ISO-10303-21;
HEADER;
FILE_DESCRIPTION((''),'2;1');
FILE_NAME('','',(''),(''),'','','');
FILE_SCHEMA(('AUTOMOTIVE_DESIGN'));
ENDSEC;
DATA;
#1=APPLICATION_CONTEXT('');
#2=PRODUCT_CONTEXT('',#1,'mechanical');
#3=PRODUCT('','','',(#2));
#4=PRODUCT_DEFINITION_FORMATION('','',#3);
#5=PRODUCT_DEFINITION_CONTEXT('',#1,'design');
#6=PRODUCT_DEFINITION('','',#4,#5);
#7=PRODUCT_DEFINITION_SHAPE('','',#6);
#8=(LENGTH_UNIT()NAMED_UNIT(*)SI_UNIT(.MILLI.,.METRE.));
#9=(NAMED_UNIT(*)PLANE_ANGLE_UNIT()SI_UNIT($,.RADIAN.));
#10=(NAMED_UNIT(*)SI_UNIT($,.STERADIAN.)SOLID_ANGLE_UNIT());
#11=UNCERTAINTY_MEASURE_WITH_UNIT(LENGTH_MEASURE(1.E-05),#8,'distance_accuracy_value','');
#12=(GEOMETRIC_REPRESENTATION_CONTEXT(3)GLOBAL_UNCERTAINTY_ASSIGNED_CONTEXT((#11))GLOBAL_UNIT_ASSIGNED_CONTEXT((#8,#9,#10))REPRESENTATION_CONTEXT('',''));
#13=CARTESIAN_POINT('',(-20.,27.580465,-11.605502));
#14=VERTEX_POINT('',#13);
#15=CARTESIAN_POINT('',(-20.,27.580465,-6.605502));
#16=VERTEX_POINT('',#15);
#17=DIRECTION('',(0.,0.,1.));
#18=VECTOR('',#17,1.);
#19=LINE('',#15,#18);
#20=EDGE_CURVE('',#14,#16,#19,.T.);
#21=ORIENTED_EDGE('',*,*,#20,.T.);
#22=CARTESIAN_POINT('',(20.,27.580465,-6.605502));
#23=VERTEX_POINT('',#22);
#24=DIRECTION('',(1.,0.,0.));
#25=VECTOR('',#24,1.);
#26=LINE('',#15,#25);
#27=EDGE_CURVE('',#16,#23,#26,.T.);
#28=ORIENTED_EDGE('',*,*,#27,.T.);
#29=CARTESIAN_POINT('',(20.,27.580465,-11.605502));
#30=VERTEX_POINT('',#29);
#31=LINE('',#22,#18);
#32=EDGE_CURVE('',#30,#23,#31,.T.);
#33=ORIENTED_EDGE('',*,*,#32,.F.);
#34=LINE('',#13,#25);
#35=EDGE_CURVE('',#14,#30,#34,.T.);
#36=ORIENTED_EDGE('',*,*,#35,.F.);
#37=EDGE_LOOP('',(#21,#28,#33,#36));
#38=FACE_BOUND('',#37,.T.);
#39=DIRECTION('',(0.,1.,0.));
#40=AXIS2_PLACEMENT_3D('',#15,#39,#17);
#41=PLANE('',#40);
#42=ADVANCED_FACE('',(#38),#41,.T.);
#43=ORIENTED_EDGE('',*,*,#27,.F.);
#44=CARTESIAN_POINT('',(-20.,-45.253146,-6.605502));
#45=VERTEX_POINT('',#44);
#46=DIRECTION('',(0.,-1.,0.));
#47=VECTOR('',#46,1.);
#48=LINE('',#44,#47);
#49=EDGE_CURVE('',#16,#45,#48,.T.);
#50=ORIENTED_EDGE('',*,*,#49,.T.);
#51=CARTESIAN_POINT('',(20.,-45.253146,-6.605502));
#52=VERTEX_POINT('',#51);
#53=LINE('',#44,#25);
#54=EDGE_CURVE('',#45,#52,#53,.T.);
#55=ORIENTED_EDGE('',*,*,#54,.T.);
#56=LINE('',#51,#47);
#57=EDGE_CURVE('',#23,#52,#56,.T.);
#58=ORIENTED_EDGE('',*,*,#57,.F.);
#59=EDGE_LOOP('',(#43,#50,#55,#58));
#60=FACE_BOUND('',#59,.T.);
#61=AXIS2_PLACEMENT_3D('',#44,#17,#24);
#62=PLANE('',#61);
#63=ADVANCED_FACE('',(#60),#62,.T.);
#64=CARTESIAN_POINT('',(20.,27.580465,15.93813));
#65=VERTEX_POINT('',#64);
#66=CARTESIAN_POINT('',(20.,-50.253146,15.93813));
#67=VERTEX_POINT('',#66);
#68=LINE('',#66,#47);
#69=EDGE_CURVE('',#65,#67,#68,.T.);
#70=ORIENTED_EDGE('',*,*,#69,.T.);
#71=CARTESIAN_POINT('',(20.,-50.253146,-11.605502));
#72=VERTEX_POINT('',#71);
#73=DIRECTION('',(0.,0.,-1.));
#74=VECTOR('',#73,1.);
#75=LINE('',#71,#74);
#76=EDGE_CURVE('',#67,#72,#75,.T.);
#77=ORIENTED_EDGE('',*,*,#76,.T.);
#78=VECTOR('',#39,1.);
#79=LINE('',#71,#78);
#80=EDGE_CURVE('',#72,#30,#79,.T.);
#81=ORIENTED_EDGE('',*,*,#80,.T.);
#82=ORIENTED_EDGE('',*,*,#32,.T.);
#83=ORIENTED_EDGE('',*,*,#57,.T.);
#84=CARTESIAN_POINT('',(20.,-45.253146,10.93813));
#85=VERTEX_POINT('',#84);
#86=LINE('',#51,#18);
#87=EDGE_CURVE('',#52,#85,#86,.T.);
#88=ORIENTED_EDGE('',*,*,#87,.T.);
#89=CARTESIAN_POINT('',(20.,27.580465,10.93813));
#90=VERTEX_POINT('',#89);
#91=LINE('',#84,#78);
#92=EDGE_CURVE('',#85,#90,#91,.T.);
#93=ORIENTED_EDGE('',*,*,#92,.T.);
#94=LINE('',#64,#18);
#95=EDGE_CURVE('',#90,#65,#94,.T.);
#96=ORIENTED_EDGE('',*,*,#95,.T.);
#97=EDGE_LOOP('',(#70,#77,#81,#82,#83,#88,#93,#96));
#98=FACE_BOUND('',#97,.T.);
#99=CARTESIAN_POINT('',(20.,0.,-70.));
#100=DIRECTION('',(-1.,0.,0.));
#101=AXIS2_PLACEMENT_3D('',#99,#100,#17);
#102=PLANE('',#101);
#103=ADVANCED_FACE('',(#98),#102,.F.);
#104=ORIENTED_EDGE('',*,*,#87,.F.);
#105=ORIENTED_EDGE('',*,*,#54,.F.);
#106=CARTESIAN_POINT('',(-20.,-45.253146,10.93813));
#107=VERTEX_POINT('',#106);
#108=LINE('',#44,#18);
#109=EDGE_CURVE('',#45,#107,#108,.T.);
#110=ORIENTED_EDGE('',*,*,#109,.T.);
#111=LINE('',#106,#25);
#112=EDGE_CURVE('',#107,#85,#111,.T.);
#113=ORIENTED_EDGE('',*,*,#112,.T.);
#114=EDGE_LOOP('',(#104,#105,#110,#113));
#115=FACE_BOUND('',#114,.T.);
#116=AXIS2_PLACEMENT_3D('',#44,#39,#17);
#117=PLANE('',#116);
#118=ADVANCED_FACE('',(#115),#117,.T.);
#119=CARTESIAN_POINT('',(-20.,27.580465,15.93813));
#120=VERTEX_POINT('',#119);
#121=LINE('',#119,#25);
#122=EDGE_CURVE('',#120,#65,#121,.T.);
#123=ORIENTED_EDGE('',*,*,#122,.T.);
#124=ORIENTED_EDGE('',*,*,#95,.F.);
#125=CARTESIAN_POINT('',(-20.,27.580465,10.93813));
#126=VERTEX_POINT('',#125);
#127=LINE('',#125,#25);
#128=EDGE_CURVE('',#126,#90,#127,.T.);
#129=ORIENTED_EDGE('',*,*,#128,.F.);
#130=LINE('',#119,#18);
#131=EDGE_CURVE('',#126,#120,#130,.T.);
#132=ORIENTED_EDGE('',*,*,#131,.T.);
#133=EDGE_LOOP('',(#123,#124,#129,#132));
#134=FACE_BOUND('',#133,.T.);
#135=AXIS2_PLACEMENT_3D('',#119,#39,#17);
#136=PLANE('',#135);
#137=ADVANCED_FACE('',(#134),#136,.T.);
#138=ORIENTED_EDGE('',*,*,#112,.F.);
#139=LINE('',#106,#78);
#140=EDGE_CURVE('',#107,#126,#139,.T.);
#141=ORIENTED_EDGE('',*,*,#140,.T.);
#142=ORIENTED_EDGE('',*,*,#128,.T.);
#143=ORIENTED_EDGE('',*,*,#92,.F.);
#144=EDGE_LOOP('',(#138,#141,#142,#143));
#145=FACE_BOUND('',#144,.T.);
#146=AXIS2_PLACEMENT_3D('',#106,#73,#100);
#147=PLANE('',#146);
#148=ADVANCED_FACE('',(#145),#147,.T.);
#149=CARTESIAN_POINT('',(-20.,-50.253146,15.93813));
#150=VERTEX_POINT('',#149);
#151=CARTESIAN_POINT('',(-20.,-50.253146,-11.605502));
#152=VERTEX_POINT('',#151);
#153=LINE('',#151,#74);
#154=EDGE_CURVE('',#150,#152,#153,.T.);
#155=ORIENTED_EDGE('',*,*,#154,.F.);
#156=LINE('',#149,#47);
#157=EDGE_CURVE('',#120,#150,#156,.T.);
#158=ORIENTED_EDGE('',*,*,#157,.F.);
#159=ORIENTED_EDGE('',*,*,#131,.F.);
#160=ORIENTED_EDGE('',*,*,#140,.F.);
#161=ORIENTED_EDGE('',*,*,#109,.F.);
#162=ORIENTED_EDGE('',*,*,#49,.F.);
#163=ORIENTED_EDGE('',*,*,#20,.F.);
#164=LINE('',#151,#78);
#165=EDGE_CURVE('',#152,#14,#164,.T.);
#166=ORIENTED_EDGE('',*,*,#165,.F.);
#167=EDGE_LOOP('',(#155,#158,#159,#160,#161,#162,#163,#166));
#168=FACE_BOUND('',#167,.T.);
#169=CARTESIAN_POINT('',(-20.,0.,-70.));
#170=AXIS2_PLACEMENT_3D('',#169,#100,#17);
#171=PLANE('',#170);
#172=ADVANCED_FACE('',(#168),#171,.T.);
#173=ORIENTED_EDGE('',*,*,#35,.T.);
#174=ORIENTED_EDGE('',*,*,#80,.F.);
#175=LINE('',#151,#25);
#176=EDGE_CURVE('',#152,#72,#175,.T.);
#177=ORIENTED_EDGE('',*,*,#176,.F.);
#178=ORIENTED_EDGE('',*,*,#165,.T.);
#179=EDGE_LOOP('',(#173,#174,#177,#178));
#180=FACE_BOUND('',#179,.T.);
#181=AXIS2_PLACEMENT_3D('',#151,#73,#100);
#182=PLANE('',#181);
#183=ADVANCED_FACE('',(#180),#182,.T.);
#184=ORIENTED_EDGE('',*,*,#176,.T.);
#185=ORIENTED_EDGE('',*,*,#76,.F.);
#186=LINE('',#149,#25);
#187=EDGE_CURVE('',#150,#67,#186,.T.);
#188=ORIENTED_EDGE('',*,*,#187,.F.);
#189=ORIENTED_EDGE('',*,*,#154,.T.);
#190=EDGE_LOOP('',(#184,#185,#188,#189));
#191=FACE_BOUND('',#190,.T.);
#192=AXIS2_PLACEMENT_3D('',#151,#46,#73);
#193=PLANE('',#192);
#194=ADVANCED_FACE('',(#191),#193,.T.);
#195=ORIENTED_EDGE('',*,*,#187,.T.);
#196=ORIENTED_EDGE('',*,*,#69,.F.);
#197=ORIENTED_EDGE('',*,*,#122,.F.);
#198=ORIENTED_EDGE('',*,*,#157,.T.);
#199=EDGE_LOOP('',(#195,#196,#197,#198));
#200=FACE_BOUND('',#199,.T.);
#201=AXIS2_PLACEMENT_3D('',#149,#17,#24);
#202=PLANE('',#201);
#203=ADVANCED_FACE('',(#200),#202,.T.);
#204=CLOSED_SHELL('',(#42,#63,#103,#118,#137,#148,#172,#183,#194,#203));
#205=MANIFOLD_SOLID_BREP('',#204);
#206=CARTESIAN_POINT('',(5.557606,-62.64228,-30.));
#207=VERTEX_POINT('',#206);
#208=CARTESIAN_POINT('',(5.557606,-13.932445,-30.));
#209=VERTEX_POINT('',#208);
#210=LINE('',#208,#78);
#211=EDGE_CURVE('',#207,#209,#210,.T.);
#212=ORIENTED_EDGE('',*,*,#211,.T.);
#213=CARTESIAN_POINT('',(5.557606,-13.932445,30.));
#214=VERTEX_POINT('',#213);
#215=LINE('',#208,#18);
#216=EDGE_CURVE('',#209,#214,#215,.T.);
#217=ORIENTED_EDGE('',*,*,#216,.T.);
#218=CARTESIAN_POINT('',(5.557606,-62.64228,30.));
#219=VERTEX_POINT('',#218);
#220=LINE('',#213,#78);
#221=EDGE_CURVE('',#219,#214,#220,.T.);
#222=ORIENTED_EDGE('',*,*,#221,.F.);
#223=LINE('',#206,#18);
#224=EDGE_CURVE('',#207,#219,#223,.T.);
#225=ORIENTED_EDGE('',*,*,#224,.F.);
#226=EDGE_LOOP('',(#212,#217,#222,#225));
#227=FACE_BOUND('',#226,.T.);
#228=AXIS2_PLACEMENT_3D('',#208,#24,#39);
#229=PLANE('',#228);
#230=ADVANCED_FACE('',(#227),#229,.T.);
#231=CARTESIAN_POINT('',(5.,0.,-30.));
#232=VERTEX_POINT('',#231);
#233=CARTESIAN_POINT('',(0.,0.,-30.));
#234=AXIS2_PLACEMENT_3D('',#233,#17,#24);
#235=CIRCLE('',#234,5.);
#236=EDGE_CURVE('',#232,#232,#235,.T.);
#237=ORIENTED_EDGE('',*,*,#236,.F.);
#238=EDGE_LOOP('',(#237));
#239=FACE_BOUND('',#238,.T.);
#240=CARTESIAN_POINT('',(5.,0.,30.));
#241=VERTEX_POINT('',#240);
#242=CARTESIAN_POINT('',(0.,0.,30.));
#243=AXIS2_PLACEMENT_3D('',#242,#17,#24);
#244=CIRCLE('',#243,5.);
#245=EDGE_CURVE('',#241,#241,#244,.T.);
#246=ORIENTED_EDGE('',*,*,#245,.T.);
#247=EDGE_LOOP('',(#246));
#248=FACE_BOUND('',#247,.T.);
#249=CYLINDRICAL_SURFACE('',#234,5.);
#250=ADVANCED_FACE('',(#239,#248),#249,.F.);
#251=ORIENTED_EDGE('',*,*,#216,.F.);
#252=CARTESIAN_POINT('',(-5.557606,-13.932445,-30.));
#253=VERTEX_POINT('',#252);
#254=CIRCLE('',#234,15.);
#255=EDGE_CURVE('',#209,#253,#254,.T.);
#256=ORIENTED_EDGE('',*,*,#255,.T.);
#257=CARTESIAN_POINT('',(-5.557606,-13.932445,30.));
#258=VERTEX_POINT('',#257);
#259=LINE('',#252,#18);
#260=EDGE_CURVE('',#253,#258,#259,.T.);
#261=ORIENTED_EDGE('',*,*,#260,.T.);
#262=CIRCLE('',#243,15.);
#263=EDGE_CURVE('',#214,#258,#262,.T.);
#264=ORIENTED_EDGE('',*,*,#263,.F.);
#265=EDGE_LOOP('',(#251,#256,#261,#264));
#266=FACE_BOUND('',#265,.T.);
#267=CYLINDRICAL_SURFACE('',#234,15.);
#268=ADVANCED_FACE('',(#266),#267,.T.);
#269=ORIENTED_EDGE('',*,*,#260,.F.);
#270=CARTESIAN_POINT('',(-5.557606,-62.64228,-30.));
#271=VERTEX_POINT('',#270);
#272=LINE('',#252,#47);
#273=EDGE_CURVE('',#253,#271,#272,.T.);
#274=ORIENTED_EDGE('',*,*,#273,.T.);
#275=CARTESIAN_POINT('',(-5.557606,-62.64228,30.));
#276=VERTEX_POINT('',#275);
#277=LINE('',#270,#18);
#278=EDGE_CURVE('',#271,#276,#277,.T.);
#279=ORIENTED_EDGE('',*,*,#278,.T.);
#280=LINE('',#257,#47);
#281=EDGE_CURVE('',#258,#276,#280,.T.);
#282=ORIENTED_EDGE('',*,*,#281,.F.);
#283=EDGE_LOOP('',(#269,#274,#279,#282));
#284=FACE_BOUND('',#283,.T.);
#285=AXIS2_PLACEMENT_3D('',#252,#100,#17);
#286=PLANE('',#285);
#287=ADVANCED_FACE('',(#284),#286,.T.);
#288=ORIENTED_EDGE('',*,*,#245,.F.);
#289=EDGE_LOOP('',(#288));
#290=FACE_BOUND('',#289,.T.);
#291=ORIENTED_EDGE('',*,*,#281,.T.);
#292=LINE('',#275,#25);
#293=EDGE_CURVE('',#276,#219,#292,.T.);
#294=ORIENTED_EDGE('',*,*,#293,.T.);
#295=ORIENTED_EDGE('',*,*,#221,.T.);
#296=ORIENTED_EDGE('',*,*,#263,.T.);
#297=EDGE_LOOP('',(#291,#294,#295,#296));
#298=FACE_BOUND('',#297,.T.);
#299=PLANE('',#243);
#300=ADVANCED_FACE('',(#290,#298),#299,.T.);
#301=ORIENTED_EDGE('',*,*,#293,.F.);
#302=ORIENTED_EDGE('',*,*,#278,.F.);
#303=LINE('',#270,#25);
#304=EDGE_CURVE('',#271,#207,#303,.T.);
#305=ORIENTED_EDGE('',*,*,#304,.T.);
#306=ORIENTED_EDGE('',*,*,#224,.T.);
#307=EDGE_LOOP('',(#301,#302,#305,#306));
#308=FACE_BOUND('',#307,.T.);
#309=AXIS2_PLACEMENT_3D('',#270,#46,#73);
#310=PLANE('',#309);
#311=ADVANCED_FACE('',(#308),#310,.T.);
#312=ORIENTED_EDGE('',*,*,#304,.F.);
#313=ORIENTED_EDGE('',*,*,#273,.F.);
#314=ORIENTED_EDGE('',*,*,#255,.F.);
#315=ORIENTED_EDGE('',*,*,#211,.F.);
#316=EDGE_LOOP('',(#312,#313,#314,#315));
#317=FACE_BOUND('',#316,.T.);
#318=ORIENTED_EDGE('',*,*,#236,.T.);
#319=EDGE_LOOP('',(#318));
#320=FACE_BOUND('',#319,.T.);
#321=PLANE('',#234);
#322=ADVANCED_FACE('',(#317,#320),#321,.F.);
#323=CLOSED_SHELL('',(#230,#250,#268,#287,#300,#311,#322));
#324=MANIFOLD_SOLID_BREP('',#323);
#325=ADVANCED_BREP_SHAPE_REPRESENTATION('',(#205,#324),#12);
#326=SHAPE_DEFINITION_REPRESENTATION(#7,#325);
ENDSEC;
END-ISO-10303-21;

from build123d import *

# Parameters (mm, degrees)
EXTRUDE_5_DEPTH      = 30
EXTRUDE_5_DEPTH_BACK = 30
F_1_FR_R             = 5
EXTRUDE_6_DEPTH      = 20
EXTRUDE_6_DEPTH_BACK = 20


with BuildPart() as part:
    # Эскиз1_fr → Бобышка-Вытянуть5 (new, two sides: drawn at the far end of the back side and taken through both)
    with BuildSketch(Plane.XY.offset(-EXTRUDE_5_DEPTH_BACK)):
        with BuildLine():
            Line((-5.557606452, -13.932444528), (-5.557606452, -62.642280008))
            Line((-5.557606452, -62.642280008), (5.557606452, -62.642280008))
            Line((5.557606452, -62.642280008), (5.557606452, -13.932444528))
            ThreePointArc((5.557606452, -13.932444528), (0, 15), (-5.557606452, -13.932444528))
        make_face()
        Circle(F_1_FR_R, mode=Mode.SUBTRACT)
    extrude(amount=EXTRUDE_5_DEPTH + EXTRUDE_5_DEPTH_BACK)


with BuildPart() as body_2:
    # Эскиз3 → Бобышка-Вытянуть6 (new, two sides: drawn at the far end of the back side and taken through both)
    with BuildSketch(Plane(origin=(0, 0, 0), x_dir=(0, 0, -1), z_dir=(1, 0, 0)).offset(-EXTRUDE_6_DEPTH_BACK)):
        Polygon((-58.394498043, -50.25314581), (-85.938130262, -50.25314581), (-85.938130262, 27.580465306), (-80.938130262, 27.580465306), (-80.938130262, -45.25314581), (-63.394498043, -45.25314581), (-63.394498043, 27.580465306), (-58.394498043, 27.580465306), align=None)
    extrude(amount=EXTRUDE_6_DEPTH + EXTRUDE_6_DEPTH_BACK)


with BuildPart() as body_2_1:
    # Move Body 1: moved
    add(body_2.part.moved(Location((0, 0, -70))))


solid = Compound([part.part, body_2_1.part])
